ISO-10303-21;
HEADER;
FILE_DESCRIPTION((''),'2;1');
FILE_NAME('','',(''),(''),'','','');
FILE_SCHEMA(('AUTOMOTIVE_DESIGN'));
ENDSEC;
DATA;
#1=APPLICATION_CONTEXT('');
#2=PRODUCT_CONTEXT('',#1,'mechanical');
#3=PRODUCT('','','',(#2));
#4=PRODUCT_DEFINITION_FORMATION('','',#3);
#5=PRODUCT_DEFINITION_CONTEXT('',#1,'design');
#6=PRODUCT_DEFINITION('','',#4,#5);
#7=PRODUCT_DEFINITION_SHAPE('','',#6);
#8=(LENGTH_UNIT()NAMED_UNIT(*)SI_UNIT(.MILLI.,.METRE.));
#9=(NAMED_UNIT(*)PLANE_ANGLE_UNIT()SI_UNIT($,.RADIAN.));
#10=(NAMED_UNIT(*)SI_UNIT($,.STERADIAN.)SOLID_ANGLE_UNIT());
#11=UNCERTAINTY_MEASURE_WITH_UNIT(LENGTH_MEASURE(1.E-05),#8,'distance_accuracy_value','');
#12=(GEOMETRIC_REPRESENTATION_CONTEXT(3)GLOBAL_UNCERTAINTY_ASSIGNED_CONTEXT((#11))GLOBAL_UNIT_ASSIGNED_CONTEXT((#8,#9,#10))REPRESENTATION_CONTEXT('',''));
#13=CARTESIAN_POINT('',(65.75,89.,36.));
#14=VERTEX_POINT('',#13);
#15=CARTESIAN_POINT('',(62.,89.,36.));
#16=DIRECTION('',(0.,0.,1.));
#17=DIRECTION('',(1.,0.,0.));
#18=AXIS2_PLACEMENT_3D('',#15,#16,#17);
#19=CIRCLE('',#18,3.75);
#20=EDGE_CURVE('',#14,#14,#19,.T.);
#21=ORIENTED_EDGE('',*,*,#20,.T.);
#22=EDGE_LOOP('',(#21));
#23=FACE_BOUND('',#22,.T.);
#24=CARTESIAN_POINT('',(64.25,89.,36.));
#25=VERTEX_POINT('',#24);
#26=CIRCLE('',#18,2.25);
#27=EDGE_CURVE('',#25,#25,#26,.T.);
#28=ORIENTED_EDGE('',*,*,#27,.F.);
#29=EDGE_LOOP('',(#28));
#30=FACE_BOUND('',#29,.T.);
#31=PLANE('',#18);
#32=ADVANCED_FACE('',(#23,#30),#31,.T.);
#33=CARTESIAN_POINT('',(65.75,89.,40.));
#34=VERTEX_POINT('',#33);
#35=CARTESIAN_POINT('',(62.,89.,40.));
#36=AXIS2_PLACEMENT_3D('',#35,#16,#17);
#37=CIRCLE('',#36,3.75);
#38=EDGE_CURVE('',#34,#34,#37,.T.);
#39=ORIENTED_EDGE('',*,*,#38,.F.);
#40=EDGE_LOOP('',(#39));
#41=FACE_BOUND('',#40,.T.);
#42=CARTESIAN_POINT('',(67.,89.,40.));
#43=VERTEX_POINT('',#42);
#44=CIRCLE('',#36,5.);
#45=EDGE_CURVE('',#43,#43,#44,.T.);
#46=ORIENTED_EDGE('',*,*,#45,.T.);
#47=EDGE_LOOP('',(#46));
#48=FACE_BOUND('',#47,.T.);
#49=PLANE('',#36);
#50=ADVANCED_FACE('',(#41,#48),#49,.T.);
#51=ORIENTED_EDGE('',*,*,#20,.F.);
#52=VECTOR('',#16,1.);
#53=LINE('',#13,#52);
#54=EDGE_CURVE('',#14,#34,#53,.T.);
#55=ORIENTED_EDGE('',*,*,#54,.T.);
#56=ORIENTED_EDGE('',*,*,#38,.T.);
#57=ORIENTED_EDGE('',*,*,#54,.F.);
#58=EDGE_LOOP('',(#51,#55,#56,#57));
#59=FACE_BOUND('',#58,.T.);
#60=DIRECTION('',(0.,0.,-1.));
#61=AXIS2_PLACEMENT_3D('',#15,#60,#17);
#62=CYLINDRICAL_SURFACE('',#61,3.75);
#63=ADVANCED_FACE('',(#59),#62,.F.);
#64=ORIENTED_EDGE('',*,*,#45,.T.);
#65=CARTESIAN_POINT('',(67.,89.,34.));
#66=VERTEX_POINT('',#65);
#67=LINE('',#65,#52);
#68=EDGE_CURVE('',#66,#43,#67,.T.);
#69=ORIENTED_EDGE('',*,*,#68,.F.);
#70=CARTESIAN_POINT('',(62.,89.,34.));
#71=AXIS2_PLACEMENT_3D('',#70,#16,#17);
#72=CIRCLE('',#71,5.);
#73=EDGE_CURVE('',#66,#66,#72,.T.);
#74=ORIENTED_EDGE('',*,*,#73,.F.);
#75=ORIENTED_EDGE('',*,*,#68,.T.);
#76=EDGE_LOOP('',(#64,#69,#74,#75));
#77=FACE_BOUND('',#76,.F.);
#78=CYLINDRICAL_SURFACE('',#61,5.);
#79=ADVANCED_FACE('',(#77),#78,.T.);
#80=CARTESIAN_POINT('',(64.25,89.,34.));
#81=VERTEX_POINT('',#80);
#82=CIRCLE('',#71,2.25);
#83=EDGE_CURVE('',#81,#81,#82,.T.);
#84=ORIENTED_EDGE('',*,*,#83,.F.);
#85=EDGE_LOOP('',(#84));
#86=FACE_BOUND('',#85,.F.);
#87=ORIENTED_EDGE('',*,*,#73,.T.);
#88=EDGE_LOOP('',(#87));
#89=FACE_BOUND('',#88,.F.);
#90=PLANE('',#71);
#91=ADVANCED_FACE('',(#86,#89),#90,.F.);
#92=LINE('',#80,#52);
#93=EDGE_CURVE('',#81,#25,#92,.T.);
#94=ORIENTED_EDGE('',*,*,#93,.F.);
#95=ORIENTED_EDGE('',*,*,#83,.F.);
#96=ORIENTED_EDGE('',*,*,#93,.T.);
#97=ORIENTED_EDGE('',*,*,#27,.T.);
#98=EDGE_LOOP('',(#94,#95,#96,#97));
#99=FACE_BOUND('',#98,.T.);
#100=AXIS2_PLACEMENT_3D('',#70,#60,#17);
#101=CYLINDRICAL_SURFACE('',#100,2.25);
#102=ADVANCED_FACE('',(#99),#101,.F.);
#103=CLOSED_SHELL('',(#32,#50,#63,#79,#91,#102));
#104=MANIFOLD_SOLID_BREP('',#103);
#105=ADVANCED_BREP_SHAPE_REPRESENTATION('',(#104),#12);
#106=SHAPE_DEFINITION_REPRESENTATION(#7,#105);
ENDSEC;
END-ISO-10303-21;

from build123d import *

# Parameters (mm, degrees)
SKETCH090_R             = 5
SKETCH090_R_2           = 2.25
PAD032_DEPTH            = 2
SKETCH091_R             = 5
SKETCH091_R_2           = 3.75
PAD033_DEPTH            = 4
BODY011_PLACEMENT_ANGLE = 90


with BuildPart() as part:
    # Sketch090 → Pad032 (new body)
    with BuildSketch(Plane.XZ):
        Circle(SKETCH090_R)
        Circle(SKETCH090_R_2, mode=Mode.SUBTRACT)
    extrude(amount=PAD032_DEPTH)

    # Sketch091 (on Face4 of Pad032) → Pad033 (join)
    with BuildSketch(Plane.XZ.offset(2)):
        Circle(SKETCH091_R)
        Circle(SKETCH091_R_2, mode=Mode.SUBTRACT)
    extrude(amount=PAD033_DEPTH)


with BuildPart() as part_1:
    # Body011 placement: moved
    add(part.part.moved(Location((62, 89, 34))).rotate(Axis((62, 89, 34), (-1, 0, 0)), BODY011_PLACEMENT_ANGLE))


solid = part_1.part
